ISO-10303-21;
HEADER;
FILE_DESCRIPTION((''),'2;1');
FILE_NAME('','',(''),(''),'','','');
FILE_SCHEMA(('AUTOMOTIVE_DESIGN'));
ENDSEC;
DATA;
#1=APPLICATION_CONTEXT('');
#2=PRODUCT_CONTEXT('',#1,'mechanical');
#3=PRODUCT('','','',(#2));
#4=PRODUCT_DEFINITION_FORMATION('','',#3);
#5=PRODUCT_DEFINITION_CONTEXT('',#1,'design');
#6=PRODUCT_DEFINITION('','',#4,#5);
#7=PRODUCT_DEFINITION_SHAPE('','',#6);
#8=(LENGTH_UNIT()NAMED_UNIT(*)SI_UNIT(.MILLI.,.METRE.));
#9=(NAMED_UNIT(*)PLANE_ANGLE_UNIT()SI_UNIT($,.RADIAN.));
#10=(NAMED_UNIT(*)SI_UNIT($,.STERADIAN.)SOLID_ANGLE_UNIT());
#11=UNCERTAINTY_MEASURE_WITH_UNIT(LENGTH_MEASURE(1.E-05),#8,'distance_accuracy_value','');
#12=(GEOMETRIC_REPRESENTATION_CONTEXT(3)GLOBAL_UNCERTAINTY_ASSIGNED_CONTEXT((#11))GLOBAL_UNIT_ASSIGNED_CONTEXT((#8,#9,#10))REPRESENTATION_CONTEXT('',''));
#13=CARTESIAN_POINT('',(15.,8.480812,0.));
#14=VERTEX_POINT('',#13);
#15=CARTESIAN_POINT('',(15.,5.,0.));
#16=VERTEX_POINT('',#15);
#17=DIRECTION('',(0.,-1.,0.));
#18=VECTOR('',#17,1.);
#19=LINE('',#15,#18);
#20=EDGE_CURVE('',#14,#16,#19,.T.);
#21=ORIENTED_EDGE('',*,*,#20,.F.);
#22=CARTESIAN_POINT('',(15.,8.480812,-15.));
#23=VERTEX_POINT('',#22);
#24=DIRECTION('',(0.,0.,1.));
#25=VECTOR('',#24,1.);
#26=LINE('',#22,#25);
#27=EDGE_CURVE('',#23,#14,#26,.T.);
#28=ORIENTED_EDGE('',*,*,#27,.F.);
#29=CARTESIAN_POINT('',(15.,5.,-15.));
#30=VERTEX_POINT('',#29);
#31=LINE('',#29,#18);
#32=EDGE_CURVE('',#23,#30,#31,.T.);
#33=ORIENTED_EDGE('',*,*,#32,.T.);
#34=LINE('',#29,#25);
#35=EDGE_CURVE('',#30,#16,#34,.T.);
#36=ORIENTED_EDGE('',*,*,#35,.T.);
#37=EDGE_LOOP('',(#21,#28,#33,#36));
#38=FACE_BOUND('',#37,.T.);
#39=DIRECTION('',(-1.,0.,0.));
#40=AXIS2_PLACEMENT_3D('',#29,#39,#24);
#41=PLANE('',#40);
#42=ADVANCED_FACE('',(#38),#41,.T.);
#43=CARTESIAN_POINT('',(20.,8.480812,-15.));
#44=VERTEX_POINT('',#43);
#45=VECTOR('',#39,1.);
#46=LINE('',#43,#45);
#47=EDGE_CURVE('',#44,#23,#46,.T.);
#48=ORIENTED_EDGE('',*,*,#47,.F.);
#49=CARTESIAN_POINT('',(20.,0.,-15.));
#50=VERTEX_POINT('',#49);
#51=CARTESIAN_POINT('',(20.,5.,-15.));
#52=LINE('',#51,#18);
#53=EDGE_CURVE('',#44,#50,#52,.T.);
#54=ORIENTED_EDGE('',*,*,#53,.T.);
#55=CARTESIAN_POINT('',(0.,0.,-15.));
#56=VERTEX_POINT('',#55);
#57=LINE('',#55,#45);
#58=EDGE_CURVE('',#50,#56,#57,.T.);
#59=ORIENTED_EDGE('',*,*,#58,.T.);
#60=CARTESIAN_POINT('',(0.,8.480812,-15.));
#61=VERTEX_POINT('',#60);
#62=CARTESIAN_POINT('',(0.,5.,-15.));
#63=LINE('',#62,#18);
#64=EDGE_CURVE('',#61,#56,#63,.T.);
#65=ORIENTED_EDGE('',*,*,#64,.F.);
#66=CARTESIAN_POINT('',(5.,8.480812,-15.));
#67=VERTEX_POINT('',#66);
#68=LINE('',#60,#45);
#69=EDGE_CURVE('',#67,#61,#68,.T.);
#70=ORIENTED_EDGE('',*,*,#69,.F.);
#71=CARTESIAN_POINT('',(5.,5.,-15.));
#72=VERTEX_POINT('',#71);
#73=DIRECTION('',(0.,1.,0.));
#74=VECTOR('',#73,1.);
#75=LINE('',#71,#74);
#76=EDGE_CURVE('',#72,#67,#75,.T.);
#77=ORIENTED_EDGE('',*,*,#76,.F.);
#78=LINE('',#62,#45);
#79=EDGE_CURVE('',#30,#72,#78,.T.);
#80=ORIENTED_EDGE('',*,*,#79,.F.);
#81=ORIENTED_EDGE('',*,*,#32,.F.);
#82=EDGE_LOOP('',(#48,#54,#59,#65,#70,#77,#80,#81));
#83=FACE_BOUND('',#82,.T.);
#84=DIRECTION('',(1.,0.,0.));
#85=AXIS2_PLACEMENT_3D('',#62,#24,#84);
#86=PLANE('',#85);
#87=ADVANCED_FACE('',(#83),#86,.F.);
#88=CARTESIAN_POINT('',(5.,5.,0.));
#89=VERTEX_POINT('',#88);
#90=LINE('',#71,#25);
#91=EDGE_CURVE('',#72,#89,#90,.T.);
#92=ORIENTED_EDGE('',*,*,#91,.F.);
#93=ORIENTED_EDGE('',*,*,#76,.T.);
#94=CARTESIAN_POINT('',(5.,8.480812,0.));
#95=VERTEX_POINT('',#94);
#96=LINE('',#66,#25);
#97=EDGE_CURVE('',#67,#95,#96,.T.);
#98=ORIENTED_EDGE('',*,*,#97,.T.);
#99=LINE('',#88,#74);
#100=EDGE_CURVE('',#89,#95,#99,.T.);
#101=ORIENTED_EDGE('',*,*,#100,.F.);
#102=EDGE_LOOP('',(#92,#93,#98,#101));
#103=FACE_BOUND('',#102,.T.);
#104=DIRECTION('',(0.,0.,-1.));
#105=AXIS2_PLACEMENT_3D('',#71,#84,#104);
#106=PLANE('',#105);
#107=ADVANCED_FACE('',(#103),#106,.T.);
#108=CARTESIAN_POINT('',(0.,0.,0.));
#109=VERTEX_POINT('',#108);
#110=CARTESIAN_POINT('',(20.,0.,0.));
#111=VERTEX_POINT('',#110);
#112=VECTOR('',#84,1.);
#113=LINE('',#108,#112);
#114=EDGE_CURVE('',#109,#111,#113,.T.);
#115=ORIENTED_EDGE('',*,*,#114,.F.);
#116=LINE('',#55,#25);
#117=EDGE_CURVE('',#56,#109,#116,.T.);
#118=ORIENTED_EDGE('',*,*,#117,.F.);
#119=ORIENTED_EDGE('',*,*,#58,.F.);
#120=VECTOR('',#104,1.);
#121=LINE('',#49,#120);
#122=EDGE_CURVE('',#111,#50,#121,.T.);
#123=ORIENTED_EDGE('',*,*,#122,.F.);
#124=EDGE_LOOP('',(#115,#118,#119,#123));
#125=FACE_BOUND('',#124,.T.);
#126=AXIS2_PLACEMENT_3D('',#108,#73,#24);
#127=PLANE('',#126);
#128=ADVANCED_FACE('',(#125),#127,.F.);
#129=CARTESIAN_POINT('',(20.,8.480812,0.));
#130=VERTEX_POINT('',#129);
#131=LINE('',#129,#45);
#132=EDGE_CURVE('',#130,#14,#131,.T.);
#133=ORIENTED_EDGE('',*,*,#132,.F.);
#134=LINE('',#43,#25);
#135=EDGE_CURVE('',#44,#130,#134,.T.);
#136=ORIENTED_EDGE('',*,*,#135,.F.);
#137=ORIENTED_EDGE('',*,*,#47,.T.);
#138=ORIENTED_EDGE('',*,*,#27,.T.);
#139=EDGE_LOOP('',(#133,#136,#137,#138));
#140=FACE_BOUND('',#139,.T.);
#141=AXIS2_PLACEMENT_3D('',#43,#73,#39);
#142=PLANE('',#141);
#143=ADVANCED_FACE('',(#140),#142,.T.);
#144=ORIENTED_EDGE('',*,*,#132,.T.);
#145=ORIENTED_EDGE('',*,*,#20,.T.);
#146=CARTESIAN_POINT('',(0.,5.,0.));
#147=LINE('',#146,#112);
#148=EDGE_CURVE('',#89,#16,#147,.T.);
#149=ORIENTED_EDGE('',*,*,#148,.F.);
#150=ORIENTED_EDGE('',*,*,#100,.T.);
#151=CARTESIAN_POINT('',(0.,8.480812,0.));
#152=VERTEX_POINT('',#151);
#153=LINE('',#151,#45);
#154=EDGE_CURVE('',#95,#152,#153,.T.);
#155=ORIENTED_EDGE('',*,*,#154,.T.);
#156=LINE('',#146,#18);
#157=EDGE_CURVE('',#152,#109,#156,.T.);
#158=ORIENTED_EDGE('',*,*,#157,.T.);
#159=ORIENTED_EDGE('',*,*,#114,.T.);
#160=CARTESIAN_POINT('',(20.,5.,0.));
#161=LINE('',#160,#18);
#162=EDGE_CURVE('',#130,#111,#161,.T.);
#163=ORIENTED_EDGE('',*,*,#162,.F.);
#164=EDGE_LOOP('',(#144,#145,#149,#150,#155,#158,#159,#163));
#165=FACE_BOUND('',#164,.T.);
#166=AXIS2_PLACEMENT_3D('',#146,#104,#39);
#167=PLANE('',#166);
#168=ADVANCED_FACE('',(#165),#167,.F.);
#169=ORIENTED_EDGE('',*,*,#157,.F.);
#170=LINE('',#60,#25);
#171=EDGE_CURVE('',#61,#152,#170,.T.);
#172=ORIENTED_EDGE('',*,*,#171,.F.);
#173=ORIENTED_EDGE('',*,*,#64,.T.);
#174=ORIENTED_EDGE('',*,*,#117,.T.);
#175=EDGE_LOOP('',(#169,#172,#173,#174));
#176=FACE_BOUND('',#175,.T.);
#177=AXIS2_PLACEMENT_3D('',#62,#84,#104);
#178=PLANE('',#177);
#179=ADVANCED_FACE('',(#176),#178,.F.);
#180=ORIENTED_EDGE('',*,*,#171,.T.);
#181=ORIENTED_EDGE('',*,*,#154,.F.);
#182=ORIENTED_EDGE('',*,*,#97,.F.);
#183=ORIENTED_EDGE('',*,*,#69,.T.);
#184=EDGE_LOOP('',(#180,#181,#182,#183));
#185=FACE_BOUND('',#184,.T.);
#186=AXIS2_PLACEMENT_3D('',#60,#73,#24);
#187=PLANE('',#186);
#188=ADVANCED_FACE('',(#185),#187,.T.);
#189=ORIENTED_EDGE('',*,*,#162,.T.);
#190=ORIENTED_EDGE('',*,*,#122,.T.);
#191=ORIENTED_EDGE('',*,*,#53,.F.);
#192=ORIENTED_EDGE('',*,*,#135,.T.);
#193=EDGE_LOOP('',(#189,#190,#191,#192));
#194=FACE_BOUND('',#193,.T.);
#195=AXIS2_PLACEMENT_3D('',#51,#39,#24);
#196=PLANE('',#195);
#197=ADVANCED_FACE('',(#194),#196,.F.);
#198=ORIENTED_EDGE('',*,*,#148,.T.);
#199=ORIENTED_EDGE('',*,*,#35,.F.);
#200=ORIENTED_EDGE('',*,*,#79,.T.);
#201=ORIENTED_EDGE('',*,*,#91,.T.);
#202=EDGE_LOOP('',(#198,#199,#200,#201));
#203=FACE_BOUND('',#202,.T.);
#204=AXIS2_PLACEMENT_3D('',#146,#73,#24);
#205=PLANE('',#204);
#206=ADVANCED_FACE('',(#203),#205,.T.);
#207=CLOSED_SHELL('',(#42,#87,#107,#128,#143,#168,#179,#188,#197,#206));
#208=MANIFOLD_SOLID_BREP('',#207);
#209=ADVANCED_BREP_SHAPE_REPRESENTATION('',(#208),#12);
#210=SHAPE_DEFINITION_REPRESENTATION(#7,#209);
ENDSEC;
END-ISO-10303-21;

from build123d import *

# Parameters (mm, degrees)
SKETCH1_W           = 20
SKETCH1_H           = 15
BOSS_EXTRUDE1_DEPTH = 5
SKETCH3_W           = 5
SKETCH3_H           = 3.480811901
BOSS_EXTRUDE2_DEPTH = 15


with BuildPart() as part:
    # Sketch1 → Boss-Extrude1 (new body)
    with BuildSketch(Plane(origin=(0, 0, 0), x_dir=(1, 0, 0), z_dir=(0, 1, 0))):
        with Locations((10, 7.5)):
            Rectangle(SKETCH1_W, SKETCH1_H)
    extrude(amount=BOSS_EXTRUDE1_DEPTH)

    # Sketch3 → Boss-Extrude2 (add)
    with BuildSketch(Plane.XY):
        with Locations((2.5, 6.740405951)):
            Rectangle(SKETCH3_W, SKETCH3_H)
        with Locations((17.5, 6.740405951)):
            Rectangle(SKETCH3_W, SKETCH3_H)
    extrude(amount=-BOSS_EXTRUDE2_DEPTH)


solid = part.part
